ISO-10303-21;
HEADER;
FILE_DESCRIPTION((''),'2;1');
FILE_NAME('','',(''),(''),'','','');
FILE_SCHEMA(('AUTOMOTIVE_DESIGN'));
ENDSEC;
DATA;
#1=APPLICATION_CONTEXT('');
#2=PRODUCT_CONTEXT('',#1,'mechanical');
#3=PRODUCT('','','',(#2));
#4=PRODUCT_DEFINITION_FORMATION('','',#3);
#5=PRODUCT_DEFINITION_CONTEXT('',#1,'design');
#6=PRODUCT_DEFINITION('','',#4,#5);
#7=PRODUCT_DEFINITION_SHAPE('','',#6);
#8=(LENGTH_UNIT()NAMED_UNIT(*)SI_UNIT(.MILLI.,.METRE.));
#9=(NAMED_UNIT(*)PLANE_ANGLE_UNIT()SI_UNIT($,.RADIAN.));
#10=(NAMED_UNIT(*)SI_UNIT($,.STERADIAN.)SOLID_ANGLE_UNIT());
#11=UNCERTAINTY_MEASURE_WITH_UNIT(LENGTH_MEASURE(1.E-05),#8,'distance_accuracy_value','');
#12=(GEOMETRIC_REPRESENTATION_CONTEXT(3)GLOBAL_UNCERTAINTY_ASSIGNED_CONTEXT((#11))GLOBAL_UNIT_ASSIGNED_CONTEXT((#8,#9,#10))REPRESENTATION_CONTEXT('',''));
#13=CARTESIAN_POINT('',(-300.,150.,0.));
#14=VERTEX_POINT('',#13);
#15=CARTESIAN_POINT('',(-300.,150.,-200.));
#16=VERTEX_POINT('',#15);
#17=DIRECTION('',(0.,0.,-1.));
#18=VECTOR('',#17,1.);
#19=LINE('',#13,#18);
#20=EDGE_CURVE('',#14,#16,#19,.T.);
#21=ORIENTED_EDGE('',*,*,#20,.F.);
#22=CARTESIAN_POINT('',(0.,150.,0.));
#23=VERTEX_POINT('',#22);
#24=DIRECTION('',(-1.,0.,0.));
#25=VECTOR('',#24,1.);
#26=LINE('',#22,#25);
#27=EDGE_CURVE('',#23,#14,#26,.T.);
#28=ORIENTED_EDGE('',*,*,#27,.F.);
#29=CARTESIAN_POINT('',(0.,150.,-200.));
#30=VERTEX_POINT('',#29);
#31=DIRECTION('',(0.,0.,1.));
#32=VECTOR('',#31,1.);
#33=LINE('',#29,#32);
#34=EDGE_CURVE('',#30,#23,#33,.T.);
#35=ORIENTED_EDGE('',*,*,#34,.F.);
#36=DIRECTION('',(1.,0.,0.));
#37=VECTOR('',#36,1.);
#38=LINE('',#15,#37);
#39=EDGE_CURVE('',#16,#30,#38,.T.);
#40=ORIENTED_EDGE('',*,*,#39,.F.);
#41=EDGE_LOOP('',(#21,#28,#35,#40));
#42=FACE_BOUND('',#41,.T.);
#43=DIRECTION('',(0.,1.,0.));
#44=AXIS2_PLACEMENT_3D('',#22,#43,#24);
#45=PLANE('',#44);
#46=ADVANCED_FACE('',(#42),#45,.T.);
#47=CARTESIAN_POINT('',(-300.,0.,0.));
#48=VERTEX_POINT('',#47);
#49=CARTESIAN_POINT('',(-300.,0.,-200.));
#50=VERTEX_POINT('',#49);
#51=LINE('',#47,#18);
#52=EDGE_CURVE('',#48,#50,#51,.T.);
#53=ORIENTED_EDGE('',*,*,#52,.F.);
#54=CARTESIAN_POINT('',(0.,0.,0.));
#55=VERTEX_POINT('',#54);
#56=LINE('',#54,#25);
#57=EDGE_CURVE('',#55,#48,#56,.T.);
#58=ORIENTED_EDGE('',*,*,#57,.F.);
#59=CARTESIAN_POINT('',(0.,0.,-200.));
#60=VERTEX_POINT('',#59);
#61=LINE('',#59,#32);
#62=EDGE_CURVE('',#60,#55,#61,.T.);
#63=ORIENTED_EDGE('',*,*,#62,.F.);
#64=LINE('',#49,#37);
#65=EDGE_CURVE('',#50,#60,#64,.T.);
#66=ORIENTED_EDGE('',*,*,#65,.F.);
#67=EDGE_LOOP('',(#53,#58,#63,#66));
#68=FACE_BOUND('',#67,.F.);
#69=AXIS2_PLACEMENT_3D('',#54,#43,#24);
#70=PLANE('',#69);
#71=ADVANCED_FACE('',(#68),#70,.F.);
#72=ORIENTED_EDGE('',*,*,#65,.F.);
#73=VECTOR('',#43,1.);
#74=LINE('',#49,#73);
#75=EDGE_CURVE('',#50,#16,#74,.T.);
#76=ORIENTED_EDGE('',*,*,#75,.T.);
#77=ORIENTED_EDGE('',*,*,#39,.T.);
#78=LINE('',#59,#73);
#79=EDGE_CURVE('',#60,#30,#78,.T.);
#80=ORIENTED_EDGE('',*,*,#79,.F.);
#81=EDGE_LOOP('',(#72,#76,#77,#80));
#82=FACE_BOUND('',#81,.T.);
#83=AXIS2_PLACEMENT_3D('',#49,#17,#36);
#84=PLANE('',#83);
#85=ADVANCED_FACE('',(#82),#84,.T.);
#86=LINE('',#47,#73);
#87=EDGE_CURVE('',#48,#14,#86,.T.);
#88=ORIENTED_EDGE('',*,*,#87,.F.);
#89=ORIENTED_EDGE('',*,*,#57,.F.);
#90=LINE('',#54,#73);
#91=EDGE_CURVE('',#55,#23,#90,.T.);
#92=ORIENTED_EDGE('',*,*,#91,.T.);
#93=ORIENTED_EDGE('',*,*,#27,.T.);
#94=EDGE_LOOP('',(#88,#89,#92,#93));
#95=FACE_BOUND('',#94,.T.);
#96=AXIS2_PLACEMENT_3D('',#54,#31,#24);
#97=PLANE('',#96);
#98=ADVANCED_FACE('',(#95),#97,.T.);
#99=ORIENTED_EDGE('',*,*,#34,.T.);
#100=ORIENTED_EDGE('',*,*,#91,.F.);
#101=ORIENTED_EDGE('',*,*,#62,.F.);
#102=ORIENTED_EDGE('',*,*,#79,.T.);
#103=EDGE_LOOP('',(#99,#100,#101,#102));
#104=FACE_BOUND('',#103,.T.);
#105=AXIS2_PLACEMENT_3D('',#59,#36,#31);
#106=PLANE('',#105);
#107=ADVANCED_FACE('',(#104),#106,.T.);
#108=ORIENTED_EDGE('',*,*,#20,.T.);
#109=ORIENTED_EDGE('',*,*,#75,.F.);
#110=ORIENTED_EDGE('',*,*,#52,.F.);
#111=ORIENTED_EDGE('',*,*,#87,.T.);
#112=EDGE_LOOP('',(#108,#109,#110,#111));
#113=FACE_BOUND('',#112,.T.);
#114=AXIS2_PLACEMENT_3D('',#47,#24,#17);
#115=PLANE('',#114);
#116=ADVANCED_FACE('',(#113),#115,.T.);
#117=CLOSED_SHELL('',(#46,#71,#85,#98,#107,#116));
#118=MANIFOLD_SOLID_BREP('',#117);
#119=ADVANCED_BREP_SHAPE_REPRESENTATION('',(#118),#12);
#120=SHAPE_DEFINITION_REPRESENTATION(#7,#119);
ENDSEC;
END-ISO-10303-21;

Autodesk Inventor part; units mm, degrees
ref_plane "YZ Plane" through (0, 0, 0) normal (1, 0, 0) x (0, 1, 0)
ref_plane "XZ Plane" through (0, 0, 0) normal (0, 1, 0) x (-1, 0, 0)
ref_plane "XY Plane" through (0, 0, 0) normal (0, 0, 1) x (1, 0, 0)
sketch "Sketch1" plane through (0, 0, 0) normal (0, 1, 0) x (-1, 0, 0)
  line L0 (0, 0) -> (300, 0)
  line L1 (300, 0) -> (300, -200)
  line L2 (300, -200) -> (0, -200)
  line L3 (0, -200) -> (0, 0)
  dimension "d0" = 300
  dimension "d1" = 200
extrude "Extrusion1" add sketch "Sketch1" along normal blind 150
properties part number "box"
